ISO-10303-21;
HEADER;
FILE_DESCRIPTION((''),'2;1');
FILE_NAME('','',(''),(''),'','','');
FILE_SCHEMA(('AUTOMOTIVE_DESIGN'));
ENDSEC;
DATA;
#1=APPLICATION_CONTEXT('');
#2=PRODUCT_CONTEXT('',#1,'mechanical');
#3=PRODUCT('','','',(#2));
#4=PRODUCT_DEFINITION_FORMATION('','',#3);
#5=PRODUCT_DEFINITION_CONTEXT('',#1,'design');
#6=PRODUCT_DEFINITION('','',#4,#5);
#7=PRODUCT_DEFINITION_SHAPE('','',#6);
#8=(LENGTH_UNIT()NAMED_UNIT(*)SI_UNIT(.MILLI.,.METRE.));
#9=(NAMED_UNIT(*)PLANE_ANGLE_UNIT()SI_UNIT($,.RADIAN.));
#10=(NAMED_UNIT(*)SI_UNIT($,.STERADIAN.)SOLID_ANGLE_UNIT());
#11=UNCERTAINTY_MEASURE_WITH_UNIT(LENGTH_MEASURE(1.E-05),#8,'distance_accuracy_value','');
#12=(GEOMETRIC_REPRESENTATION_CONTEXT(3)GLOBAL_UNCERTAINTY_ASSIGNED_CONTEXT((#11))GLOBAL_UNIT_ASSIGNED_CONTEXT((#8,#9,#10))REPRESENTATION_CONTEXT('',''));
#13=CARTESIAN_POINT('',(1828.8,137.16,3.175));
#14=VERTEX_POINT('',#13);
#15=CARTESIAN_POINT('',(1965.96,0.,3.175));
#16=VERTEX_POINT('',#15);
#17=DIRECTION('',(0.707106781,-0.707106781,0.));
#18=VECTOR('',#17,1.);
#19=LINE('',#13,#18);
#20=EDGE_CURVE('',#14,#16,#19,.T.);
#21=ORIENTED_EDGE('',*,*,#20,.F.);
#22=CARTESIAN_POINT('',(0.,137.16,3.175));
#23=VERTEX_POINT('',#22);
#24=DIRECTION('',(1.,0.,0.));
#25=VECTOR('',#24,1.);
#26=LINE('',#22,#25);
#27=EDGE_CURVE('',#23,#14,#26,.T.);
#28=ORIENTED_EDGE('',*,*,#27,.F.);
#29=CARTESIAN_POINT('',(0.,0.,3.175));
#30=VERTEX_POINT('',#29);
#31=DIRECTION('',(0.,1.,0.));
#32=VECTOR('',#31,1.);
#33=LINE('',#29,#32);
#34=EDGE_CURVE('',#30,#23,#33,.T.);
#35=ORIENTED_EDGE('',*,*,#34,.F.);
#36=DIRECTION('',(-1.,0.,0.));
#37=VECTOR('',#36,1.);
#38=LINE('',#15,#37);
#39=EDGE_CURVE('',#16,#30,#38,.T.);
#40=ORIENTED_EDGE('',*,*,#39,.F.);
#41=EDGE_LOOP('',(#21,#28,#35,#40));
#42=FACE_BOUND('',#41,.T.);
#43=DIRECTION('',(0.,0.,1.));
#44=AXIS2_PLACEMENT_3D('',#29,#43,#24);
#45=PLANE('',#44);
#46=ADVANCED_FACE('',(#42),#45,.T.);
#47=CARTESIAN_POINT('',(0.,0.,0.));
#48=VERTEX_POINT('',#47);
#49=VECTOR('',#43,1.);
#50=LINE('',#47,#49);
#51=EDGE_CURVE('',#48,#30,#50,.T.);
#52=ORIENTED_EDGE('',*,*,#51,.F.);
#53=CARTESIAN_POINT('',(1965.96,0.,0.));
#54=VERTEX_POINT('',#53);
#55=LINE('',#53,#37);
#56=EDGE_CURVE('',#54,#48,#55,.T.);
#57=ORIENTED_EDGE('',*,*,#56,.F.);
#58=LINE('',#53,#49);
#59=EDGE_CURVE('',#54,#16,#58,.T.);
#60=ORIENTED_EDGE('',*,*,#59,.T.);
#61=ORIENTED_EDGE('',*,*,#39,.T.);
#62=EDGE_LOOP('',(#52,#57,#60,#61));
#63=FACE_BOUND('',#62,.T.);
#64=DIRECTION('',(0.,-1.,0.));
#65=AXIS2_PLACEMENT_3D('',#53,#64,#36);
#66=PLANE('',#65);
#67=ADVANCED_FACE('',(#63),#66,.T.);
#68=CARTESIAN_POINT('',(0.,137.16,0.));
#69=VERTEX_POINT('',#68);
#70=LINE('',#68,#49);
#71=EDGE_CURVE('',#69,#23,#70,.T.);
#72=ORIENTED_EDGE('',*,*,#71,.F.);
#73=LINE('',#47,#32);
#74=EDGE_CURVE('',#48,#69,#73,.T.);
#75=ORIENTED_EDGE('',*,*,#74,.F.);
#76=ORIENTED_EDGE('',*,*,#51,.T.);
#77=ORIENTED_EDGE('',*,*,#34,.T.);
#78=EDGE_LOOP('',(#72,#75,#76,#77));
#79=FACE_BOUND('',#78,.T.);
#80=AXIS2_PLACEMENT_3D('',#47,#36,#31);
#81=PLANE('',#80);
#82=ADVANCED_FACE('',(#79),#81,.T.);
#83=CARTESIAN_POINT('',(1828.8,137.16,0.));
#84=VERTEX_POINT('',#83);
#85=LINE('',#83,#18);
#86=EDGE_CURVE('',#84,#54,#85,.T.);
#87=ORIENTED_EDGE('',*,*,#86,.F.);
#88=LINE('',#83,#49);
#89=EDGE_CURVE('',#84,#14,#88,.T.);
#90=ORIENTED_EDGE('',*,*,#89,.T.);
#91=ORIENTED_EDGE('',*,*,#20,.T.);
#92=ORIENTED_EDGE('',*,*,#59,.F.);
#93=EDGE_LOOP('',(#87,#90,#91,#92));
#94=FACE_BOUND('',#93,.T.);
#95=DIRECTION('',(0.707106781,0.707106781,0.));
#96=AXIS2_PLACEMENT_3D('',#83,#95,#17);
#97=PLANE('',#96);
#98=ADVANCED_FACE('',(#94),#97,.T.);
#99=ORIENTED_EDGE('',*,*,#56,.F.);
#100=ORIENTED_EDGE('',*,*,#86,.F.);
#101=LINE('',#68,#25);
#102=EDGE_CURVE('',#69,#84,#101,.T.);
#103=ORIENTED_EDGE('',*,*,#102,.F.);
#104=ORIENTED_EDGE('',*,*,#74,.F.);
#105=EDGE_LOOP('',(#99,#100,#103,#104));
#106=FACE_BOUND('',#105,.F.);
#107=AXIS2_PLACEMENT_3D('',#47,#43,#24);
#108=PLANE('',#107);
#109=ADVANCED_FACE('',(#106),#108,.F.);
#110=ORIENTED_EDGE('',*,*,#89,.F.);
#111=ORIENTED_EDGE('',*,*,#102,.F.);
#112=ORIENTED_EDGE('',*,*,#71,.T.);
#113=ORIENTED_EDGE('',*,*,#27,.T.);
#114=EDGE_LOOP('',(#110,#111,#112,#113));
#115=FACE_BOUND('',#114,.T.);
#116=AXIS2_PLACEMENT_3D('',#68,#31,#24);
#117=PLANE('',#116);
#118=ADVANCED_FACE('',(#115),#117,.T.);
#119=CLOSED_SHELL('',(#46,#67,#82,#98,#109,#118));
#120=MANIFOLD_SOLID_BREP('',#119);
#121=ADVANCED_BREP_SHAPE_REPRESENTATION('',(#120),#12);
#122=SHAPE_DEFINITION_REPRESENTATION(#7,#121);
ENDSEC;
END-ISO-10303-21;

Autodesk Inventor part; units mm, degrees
ref_plane "YZ Plane" through (0, 0, 0) normal (1, 0, 0) x (0, 1, 0)
ref_plane "XZ Plane" through (0, 0, 0) normal (0, 1, 0) x (-1, 0, 0)
ref_plane "XY Plane" through (0, 0, 0) normal (0, 0, 1) x (1, 0, 0)
sketch "Sketch1" plane through (0, 0, 0) normal (0, 0, 1) x (1, 0, 0)
  line L0 (0, 0) -> (0, 137.16)
  line L1 (0, 137.16) -> (1828.8, 137.16)
  line L2 (1828.8, 137.16) -> (1965.96, 0)
  line L3 (1965.96, 0) -> (0, 0)
  dimension "d0" = 1828.8
  dimension "d1" = 137.16
  dimension "d2" = 137.16
extrude "Extrusion1" add sketch "Sketch1" along normal blind 3.175
properties part number "trapezoid polycarbonate ramp 125" material "Polycarbonate, Clear"
